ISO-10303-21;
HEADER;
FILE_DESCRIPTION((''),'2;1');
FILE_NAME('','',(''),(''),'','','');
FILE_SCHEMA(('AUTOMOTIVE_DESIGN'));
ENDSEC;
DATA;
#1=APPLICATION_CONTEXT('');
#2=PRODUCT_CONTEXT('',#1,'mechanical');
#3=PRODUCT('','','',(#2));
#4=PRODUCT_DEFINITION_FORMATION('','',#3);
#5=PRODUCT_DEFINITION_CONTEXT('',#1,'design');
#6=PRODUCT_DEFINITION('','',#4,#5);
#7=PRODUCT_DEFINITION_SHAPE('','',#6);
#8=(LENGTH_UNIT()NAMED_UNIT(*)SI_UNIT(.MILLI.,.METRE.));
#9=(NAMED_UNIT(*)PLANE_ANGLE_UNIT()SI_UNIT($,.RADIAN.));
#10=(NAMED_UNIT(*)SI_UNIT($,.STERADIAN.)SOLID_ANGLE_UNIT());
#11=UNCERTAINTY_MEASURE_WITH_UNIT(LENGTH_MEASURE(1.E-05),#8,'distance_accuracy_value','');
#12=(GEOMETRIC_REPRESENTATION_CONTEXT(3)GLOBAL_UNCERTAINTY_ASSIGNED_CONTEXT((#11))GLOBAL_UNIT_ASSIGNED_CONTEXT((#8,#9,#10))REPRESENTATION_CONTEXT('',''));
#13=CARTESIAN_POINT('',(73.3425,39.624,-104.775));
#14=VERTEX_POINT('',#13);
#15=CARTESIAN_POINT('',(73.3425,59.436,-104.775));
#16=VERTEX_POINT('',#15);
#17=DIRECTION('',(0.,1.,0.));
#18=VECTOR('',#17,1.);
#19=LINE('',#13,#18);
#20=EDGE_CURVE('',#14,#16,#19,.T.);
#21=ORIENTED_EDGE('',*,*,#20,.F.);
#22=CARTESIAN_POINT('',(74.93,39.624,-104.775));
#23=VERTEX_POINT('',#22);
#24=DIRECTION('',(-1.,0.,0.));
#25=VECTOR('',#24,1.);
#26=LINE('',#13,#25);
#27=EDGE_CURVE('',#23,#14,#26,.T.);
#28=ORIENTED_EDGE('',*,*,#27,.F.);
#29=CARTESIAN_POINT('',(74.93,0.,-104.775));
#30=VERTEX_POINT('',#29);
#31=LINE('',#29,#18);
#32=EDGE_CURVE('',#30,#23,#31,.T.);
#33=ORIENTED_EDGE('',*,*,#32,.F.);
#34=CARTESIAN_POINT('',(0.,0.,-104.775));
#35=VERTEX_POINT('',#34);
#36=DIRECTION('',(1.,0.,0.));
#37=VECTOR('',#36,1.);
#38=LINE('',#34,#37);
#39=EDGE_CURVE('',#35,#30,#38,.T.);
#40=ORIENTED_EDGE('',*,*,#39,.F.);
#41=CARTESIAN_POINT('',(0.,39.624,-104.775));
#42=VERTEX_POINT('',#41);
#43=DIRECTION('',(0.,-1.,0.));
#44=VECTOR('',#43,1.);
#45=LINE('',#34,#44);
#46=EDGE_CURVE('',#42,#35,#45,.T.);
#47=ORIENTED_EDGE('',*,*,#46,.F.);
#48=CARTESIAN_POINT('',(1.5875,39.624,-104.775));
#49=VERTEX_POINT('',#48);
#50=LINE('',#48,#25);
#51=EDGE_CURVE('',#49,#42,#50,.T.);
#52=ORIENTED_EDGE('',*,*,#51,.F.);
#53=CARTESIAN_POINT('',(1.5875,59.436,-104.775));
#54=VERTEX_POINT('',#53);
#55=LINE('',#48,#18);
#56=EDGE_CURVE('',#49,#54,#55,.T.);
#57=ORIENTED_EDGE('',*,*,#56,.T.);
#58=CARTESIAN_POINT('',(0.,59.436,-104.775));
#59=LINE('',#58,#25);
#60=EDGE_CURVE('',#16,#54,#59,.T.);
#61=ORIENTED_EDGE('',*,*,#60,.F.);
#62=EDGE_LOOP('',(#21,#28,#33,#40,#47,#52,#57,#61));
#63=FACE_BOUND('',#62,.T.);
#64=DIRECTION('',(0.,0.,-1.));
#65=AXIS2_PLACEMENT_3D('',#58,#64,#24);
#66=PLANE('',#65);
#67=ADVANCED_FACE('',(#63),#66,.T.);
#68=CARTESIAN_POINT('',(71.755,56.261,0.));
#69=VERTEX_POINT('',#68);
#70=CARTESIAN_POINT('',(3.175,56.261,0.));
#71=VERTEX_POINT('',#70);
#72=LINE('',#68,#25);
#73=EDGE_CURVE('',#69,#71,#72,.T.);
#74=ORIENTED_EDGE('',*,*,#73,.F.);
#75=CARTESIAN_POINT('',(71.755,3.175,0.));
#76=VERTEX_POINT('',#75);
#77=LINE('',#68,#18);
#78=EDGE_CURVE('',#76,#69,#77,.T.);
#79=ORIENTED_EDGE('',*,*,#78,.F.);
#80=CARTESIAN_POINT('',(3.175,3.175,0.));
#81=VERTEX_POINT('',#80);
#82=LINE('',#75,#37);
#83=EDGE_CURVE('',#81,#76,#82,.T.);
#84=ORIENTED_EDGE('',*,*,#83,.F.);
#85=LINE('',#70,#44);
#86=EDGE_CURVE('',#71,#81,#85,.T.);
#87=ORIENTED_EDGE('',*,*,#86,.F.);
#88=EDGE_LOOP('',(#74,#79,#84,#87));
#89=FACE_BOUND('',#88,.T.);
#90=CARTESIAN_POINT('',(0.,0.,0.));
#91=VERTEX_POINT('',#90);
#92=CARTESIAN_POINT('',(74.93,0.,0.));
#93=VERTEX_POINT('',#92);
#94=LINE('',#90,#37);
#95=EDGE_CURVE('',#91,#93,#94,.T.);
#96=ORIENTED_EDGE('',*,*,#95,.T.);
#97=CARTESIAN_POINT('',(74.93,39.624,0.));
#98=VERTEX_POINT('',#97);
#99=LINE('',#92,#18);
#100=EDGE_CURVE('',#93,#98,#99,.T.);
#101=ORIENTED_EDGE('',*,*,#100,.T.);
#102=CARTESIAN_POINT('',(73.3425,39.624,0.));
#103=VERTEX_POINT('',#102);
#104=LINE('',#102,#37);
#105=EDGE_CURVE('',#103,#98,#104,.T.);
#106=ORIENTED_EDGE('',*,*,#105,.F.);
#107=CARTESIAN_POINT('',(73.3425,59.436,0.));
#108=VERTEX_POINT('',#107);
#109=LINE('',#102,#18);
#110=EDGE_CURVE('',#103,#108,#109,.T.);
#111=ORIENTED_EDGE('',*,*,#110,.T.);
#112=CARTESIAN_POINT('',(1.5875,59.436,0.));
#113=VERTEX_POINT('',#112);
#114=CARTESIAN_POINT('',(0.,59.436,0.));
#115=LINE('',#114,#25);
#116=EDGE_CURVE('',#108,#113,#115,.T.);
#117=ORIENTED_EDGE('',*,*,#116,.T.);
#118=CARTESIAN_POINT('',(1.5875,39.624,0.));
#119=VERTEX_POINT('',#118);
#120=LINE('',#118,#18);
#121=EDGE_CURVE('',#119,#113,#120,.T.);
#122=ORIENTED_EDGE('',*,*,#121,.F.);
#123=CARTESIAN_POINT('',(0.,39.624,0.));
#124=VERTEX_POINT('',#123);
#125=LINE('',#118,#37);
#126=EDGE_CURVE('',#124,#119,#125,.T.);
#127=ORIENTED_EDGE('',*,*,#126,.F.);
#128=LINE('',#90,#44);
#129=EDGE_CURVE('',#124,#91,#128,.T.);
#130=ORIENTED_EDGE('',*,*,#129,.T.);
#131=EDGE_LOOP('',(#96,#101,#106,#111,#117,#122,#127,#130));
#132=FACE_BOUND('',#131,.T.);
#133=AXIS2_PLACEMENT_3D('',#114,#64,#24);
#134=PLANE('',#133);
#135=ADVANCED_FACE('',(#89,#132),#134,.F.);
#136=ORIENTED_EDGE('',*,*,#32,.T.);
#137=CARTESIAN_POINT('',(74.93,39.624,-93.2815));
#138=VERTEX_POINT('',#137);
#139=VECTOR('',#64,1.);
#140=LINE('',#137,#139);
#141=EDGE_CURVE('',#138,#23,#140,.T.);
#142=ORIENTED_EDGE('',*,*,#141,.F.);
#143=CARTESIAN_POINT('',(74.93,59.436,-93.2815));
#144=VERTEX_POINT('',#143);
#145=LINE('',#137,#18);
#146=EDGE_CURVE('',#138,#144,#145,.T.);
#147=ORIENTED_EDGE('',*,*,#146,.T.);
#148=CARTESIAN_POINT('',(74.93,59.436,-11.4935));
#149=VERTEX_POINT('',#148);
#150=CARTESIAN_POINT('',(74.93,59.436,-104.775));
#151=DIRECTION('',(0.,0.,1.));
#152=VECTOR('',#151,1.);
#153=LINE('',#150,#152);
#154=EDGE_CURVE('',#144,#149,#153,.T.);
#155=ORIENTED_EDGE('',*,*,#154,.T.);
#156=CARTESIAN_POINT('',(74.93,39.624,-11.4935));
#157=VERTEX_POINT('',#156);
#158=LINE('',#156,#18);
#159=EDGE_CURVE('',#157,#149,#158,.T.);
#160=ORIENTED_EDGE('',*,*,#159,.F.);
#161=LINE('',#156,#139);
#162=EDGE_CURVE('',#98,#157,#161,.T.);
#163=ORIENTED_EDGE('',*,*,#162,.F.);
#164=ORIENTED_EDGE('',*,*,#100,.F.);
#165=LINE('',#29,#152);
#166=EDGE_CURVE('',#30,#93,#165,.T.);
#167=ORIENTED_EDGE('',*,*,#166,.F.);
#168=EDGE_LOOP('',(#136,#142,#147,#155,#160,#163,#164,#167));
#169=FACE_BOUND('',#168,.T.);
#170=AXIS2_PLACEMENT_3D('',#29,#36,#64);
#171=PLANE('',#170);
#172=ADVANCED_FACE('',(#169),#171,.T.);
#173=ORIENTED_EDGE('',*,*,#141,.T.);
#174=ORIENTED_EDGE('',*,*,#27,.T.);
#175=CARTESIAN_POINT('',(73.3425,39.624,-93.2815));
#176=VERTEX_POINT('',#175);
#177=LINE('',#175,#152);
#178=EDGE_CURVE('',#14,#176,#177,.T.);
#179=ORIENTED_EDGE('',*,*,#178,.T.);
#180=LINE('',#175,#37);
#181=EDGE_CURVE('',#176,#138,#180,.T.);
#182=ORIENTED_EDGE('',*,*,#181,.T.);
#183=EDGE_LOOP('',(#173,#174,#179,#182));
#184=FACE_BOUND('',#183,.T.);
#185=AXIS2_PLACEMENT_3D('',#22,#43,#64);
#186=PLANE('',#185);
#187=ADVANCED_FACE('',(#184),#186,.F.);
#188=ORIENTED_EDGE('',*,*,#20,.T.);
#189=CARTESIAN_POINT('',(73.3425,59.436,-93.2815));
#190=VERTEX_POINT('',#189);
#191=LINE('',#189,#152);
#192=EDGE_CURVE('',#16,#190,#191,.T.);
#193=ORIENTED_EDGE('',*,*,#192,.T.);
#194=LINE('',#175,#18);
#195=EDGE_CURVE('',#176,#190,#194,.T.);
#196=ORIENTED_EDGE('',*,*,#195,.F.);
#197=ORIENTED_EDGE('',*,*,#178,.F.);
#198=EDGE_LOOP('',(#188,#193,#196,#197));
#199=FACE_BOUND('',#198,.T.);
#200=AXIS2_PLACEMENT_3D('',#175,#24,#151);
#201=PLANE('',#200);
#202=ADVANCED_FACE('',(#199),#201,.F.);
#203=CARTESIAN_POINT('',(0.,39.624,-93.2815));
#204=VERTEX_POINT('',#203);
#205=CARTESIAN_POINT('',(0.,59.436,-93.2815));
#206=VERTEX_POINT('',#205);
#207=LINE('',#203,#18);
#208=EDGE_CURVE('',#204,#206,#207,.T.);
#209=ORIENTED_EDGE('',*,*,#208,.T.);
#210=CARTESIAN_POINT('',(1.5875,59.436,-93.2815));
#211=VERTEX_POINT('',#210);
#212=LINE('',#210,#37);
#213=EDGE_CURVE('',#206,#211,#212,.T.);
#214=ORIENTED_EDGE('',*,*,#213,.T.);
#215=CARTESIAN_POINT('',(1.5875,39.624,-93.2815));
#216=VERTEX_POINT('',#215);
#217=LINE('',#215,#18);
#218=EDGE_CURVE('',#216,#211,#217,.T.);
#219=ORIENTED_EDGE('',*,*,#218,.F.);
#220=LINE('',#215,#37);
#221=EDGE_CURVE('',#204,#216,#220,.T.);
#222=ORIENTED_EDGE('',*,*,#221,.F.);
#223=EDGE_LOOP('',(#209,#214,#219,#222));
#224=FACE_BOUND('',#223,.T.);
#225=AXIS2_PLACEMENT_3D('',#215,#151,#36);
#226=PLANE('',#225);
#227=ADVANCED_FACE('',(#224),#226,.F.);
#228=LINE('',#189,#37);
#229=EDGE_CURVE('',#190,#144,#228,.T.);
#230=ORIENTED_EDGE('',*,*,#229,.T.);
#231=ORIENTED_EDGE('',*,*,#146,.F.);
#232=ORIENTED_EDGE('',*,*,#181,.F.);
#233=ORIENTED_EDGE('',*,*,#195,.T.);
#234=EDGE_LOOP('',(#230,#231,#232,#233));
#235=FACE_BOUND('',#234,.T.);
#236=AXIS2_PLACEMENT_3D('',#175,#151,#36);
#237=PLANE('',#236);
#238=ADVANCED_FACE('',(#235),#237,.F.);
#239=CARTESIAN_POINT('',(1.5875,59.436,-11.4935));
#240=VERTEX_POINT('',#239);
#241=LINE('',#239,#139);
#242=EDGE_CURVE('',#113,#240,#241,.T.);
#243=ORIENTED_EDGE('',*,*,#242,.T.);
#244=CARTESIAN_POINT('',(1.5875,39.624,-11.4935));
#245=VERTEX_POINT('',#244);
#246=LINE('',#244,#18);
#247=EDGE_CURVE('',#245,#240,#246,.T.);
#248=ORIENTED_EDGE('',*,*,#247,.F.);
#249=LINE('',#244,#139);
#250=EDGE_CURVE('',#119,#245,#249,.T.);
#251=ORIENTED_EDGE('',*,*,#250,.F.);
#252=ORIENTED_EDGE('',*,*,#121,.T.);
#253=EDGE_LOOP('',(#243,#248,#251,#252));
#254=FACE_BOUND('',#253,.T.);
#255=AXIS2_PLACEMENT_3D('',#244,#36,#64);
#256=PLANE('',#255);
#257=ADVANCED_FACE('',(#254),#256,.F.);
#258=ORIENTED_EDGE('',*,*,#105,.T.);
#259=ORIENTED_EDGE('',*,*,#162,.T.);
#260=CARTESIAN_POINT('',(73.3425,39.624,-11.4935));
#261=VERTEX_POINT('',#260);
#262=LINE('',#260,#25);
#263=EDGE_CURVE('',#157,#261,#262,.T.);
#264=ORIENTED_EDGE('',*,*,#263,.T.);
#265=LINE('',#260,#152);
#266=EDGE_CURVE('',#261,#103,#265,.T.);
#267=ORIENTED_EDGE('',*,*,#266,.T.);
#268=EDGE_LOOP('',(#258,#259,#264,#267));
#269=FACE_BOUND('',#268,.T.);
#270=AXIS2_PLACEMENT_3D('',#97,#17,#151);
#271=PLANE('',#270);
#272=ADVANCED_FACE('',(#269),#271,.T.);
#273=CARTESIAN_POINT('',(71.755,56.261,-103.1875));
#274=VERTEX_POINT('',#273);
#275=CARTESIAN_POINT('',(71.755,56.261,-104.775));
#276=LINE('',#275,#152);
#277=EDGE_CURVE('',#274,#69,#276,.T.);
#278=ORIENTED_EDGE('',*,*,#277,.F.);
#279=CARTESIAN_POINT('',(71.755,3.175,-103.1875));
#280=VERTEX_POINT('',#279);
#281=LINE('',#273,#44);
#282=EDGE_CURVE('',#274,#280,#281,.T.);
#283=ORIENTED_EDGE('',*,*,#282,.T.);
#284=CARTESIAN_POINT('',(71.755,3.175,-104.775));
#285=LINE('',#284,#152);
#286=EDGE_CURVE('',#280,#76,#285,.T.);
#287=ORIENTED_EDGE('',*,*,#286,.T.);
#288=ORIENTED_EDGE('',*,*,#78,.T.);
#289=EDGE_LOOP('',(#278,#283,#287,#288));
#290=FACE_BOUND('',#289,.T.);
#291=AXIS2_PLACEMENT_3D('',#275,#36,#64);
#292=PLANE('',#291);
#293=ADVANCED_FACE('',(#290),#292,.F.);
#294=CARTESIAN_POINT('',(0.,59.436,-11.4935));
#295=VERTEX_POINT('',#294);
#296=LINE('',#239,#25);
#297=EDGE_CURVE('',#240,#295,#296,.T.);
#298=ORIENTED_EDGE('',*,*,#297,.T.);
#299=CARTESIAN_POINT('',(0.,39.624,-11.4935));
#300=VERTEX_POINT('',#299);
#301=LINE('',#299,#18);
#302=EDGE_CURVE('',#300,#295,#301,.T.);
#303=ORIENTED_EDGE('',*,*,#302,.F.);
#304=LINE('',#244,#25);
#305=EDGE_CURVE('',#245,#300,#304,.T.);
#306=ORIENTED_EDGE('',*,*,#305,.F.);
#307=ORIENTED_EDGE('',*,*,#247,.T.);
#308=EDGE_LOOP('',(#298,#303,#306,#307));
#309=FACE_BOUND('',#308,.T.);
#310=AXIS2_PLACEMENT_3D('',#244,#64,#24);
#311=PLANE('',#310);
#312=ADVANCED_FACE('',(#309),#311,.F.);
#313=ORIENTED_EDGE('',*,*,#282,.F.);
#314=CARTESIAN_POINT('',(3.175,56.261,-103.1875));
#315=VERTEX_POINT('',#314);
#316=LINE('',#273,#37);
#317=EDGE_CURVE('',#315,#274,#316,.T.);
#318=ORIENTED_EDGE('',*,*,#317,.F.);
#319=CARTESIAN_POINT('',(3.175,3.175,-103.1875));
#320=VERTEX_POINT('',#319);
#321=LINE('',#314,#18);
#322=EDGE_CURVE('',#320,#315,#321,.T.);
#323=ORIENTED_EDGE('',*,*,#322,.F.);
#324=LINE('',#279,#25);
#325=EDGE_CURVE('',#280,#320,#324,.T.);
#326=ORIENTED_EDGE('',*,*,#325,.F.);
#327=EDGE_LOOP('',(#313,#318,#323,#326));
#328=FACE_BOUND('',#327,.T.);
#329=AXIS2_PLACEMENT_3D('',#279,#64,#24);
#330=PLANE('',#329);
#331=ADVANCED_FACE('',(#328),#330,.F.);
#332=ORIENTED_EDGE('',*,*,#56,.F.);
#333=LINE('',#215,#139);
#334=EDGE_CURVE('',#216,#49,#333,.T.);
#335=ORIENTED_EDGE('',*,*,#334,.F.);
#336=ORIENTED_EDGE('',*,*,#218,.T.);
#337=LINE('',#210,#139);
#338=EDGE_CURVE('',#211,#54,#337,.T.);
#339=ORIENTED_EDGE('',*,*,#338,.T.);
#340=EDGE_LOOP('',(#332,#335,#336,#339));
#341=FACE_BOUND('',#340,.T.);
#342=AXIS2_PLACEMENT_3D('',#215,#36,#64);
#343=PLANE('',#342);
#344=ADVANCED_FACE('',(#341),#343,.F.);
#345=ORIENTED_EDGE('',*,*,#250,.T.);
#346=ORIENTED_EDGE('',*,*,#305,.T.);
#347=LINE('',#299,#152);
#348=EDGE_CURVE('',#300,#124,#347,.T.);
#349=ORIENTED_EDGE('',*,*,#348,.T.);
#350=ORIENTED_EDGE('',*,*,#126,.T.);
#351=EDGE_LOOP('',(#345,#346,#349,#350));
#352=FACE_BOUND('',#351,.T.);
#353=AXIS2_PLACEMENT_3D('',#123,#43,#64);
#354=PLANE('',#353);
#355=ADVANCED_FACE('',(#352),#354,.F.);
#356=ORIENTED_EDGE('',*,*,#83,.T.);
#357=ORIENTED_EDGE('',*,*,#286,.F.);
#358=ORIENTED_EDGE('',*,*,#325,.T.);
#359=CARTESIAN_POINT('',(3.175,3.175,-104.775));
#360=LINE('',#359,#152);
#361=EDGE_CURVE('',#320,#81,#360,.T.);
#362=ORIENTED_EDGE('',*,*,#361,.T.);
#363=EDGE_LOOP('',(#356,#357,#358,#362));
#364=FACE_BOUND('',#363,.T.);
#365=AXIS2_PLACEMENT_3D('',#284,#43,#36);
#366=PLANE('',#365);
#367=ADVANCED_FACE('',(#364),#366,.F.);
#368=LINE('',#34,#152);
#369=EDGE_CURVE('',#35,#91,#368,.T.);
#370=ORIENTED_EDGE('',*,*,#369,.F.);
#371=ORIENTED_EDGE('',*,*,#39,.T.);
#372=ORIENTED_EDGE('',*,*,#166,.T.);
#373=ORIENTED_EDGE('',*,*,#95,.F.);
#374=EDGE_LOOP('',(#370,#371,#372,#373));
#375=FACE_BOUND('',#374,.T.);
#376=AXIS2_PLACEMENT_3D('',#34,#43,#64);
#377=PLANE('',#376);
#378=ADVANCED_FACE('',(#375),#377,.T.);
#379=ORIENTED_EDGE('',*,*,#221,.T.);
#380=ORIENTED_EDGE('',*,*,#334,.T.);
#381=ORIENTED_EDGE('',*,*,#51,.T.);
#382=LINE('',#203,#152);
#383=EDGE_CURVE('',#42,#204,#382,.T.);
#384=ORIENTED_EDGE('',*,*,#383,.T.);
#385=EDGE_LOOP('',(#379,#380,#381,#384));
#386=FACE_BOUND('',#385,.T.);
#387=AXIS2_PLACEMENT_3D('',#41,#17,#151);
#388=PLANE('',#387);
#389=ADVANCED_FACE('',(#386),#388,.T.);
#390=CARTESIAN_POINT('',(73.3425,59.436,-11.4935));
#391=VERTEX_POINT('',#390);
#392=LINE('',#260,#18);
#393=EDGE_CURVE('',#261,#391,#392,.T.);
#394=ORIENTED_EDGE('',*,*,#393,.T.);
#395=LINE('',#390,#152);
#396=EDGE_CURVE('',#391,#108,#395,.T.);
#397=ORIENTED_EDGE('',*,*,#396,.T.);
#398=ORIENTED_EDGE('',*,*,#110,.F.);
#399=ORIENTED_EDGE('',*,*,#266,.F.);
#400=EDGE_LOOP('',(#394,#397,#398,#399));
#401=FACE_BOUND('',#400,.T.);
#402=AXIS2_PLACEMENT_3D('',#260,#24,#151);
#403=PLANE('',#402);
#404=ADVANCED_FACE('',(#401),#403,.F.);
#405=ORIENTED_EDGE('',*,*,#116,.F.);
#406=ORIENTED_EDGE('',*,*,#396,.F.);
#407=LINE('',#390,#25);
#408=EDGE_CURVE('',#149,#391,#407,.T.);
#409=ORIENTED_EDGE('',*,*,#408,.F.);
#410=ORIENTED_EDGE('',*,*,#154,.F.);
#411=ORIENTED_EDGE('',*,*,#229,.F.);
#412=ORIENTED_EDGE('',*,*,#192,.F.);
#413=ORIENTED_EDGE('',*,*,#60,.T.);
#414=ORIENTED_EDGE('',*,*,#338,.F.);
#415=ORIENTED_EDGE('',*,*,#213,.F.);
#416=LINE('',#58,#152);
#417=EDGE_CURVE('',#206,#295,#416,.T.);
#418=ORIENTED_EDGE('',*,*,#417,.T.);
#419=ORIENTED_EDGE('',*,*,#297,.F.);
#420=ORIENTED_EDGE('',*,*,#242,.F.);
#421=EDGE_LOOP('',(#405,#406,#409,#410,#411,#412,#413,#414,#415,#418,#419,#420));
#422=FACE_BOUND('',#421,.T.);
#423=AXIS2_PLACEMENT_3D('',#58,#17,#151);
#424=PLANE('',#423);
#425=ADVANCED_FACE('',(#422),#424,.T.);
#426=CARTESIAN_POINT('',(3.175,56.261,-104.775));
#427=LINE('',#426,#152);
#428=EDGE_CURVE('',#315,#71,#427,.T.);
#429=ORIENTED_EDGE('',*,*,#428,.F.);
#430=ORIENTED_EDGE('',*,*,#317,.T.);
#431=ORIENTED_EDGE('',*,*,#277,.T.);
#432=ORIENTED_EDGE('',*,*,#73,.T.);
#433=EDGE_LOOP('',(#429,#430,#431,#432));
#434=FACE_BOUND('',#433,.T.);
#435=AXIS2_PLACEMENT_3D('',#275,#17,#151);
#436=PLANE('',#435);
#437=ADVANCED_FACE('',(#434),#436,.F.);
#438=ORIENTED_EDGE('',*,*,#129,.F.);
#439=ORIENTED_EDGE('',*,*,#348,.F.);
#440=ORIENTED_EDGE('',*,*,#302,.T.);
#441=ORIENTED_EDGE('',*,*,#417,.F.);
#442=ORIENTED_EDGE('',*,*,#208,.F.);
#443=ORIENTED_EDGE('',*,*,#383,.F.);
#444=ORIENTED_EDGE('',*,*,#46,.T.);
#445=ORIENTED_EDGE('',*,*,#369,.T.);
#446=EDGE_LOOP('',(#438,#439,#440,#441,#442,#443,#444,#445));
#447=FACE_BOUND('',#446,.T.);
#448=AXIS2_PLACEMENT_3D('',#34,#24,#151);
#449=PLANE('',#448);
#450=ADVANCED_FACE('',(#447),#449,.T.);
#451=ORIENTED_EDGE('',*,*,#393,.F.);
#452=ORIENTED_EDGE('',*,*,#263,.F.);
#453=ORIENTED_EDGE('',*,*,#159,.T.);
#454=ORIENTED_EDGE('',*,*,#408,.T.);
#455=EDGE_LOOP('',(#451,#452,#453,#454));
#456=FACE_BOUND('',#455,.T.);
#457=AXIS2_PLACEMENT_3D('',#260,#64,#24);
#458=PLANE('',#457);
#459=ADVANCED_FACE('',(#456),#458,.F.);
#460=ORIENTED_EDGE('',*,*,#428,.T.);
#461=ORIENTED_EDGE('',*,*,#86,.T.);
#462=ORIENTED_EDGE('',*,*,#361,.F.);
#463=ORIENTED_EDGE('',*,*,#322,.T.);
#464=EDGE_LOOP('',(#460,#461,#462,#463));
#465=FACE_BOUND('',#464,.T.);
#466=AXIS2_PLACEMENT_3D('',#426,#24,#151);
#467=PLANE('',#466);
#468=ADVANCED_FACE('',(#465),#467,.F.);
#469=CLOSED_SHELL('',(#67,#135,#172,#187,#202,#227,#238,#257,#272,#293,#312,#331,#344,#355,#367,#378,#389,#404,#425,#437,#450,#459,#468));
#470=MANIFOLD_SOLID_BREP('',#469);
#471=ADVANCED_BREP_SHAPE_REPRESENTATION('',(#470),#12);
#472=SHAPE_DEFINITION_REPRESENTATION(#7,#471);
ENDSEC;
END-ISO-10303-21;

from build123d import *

# Parameters (mm, degrees)
SKETCH2_W      = 74.93
SKETCH2_H      = 59.436
SKETCH2_W_2    = 68.58
SKETCH2_H_2    = 53.086
EXTRUDE1_DEPTH = 104.775
SKETCH4_W      = 1.5875
SKETCH4_H      = 11.4935
EXTRUDE2_DEPTH = 19.812
SKETCH13_W     = 68.58
SKETCH13_H     = 53.086
EXTRUDE4_DEPTH = 1.5875


with BuildPart() as part:
    # Sketch2 → Extrude1 (new body)
    with BuildSketch(Plane.XY):
        with Locations((37.465, 29.718)):
            Rectangle(SKETCH2_W, SKETCH2_H)
        with Locations((37.465, 29.718)):
            Rectangle(SKETCH2_W_2, SKETCH2_H_2, mode=Mode.SUBTRACT)
    extrude(amount=-EXTRUDE1_DEPTH)

    # Sketch4 → Extrude2 (cut)
    with BuildSketch(Plane(origin=(0, 59.436, 0), x_dir=(-1, 0, 0), z_dir=(0, 1, 0))):
        with Locations((-0.79375, -99.02825)):
            Rectangle(SKETCH4_W, SKETCH4_H)
        with Locations((-0.79375, -5.74675)):
            Rectangle(SKETCH4_W, SKETCH4_H)
        with Locations((-74.13625, -5.74675)):
            Rectangle(SKETCH4_W, SKETCH4_H)
        with Locations((-74.13625, -99.02825)):
            Rectangle(SKETCH4_W, SKETCH4_H)
    extrude(amount=-EXTRUDE2_DEPTH, mode=Mode.SUBTRACT)

    # Sketch13 → Extrude4 (add)
    with BuildSketch(Plane(origin=(0, 0, -104.775), x_dir=(-1, 0, 0), z_dir=(0, 0, -1))):
        with Locations((-37.465, 29.718)):
            Rectangle(SKETCH13_W, SKETCH13_H)
    extrude(amount=-EXTRUDE4_DEPTH)


solid = part.part
